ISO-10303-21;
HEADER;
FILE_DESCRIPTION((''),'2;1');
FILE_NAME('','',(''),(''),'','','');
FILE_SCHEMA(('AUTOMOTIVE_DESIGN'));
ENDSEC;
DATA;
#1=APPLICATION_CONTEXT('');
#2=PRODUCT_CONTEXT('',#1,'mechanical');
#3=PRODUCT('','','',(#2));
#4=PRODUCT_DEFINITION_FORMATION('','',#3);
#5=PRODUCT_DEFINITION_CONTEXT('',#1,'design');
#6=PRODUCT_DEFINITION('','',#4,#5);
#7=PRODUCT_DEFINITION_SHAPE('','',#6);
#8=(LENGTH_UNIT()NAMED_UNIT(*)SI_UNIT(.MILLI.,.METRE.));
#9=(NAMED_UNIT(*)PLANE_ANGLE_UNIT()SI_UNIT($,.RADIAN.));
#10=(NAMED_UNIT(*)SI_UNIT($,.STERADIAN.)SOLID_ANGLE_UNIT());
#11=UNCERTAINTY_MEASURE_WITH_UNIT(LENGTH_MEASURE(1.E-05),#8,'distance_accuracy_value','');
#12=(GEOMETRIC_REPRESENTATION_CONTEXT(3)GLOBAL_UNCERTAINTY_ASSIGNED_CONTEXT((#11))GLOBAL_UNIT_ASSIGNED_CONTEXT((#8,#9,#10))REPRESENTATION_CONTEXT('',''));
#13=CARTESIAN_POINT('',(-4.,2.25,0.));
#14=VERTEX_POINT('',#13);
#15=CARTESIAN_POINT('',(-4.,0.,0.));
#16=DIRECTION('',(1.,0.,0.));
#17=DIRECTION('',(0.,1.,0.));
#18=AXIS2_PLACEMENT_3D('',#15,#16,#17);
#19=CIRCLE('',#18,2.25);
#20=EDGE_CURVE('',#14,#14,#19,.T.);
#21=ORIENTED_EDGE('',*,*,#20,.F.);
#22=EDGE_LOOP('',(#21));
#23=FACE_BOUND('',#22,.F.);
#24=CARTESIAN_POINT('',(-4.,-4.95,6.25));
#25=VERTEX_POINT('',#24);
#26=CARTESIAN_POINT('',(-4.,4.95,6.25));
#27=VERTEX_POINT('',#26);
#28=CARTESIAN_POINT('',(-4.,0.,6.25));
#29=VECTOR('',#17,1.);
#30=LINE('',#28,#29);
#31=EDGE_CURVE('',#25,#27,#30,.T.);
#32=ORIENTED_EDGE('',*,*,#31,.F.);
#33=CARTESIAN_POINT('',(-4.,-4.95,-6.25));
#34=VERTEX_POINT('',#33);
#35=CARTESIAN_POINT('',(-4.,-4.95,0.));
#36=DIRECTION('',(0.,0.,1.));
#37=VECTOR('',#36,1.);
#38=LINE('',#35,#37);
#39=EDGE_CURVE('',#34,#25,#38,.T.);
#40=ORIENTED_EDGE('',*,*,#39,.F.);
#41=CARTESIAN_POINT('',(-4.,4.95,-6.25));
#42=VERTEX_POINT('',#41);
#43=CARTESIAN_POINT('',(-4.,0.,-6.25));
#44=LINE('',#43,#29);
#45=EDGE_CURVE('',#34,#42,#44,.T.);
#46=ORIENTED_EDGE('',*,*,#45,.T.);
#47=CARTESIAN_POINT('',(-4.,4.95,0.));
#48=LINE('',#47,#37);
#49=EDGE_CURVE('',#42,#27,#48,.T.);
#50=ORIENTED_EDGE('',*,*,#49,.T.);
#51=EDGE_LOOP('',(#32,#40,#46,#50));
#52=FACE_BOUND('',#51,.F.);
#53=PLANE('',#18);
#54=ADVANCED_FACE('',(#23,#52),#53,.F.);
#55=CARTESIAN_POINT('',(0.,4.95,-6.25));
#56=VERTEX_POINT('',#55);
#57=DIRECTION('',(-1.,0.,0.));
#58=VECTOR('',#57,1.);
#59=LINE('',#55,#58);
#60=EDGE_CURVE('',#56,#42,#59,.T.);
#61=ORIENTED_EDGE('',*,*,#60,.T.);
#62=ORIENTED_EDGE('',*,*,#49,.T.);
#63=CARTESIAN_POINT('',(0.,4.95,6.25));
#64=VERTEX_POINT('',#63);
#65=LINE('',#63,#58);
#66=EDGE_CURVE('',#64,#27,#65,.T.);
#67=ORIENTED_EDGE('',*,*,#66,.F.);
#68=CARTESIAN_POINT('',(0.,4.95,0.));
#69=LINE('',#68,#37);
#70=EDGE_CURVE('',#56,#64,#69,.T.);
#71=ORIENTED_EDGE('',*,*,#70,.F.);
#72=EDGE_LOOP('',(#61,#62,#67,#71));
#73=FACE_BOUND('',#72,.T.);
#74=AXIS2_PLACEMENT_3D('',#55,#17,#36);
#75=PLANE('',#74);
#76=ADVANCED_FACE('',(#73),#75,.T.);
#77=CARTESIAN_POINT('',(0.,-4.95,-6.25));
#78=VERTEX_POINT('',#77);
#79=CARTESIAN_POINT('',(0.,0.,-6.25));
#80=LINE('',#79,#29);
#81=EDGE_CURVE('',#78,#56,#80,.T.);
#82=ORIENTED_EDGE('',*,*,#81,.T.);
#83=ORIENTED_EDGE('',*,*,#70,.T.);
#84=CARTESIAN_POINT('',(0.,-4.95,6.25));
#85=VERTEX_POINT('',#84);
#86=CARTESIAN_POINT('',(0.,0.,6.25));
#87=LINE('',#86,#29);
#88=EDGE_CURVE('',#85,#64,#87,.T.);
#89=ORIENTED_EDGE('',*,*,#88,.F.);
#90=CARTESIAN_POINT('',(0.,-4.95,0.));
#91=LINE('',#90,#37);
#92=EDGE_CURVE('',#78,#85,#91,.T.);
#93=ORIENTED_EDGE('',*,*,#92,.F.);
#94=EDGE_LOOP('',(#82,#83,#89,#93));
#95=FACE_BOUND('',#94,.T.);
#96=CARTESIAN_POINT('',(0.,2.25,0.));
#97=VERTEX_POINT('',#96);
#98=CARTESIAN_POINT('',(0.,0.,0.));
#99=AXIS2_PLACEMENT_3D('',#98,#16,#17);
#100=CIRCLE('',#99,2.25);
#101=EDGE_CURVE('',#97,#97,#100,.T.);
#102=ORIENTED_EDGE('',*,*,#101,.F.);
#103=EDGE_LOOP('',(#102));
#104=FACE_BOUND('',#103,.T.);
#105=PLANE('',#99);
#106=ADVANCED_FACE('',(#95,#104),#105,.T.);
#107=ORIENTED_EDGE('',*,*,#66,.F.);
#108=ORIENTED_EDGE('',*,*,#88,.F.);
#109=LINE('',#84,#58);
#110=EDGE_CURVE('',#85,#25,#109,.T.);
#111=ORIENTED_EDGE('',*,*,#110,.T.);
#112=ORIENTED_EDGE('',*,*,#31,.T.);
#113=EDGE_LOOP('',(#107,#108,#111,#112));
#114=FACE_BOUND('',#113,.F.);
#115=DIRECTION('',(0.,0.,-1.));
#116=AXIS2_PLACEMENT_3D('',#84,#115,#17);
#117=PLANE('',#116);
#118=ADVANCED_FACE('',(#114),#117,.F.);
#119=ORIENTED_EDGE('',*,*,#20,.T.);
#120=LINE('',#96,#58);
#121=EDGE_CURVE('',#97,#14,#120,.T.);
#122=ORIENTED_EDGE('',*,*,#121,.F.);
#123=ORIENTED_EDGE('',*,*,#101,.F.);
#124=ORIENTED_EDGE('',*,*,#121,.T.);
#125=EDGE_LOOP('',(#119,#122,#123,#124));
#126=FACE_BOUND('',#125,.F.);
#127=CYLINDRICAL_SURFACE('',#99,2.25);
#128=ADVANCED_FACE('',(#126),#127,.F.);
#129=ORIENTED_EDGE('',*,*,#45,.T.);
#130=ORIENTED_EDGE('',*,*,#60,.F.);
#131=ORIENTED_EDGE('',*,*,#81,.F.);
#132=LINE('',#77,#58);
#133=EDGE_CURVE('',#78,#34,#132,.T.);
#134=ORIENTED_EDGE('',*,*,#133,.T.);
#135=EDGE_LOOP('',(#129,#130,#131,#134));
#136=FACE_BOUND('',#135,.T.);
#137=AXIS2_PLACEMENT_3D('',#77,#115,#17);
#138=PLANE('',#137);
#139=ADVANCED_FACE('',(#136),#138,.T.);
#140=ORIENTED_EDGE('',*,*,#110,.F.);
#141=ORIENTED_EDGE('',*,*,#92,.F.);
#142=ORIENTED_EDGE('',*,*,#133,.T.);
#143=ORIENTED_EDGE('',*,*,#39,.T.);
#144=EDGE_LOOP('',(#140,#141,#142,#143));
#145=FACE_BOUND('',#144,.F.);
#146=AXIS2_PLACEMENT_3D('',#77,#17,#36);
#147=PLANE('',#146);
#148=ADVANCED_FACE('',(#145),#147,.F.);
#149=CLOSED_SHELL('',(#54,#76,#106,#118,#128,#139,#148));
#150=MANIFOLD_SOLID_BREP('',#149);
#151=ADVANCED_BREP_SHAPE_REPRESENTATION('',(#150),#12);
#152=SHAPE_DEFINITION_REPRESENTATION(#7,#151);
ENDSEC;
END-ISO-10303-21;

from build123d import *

# Parameters (mm, degrees)
F0_W     = 9.9
F0_H     = 12.5
F0_R     = 2.25
F1_DEPTH = 4


with BuildPart() as f1:
    # F0 (on Right) → F1 (new body)
    with BuildSketch(Plane.YZ):
        Rectangle(F0_W, F0_H)
        Circle(F0_R, mode=Mode.SUBTRACT)
    extrude(amount=-F1_DEPTH)


solid = f1.part
